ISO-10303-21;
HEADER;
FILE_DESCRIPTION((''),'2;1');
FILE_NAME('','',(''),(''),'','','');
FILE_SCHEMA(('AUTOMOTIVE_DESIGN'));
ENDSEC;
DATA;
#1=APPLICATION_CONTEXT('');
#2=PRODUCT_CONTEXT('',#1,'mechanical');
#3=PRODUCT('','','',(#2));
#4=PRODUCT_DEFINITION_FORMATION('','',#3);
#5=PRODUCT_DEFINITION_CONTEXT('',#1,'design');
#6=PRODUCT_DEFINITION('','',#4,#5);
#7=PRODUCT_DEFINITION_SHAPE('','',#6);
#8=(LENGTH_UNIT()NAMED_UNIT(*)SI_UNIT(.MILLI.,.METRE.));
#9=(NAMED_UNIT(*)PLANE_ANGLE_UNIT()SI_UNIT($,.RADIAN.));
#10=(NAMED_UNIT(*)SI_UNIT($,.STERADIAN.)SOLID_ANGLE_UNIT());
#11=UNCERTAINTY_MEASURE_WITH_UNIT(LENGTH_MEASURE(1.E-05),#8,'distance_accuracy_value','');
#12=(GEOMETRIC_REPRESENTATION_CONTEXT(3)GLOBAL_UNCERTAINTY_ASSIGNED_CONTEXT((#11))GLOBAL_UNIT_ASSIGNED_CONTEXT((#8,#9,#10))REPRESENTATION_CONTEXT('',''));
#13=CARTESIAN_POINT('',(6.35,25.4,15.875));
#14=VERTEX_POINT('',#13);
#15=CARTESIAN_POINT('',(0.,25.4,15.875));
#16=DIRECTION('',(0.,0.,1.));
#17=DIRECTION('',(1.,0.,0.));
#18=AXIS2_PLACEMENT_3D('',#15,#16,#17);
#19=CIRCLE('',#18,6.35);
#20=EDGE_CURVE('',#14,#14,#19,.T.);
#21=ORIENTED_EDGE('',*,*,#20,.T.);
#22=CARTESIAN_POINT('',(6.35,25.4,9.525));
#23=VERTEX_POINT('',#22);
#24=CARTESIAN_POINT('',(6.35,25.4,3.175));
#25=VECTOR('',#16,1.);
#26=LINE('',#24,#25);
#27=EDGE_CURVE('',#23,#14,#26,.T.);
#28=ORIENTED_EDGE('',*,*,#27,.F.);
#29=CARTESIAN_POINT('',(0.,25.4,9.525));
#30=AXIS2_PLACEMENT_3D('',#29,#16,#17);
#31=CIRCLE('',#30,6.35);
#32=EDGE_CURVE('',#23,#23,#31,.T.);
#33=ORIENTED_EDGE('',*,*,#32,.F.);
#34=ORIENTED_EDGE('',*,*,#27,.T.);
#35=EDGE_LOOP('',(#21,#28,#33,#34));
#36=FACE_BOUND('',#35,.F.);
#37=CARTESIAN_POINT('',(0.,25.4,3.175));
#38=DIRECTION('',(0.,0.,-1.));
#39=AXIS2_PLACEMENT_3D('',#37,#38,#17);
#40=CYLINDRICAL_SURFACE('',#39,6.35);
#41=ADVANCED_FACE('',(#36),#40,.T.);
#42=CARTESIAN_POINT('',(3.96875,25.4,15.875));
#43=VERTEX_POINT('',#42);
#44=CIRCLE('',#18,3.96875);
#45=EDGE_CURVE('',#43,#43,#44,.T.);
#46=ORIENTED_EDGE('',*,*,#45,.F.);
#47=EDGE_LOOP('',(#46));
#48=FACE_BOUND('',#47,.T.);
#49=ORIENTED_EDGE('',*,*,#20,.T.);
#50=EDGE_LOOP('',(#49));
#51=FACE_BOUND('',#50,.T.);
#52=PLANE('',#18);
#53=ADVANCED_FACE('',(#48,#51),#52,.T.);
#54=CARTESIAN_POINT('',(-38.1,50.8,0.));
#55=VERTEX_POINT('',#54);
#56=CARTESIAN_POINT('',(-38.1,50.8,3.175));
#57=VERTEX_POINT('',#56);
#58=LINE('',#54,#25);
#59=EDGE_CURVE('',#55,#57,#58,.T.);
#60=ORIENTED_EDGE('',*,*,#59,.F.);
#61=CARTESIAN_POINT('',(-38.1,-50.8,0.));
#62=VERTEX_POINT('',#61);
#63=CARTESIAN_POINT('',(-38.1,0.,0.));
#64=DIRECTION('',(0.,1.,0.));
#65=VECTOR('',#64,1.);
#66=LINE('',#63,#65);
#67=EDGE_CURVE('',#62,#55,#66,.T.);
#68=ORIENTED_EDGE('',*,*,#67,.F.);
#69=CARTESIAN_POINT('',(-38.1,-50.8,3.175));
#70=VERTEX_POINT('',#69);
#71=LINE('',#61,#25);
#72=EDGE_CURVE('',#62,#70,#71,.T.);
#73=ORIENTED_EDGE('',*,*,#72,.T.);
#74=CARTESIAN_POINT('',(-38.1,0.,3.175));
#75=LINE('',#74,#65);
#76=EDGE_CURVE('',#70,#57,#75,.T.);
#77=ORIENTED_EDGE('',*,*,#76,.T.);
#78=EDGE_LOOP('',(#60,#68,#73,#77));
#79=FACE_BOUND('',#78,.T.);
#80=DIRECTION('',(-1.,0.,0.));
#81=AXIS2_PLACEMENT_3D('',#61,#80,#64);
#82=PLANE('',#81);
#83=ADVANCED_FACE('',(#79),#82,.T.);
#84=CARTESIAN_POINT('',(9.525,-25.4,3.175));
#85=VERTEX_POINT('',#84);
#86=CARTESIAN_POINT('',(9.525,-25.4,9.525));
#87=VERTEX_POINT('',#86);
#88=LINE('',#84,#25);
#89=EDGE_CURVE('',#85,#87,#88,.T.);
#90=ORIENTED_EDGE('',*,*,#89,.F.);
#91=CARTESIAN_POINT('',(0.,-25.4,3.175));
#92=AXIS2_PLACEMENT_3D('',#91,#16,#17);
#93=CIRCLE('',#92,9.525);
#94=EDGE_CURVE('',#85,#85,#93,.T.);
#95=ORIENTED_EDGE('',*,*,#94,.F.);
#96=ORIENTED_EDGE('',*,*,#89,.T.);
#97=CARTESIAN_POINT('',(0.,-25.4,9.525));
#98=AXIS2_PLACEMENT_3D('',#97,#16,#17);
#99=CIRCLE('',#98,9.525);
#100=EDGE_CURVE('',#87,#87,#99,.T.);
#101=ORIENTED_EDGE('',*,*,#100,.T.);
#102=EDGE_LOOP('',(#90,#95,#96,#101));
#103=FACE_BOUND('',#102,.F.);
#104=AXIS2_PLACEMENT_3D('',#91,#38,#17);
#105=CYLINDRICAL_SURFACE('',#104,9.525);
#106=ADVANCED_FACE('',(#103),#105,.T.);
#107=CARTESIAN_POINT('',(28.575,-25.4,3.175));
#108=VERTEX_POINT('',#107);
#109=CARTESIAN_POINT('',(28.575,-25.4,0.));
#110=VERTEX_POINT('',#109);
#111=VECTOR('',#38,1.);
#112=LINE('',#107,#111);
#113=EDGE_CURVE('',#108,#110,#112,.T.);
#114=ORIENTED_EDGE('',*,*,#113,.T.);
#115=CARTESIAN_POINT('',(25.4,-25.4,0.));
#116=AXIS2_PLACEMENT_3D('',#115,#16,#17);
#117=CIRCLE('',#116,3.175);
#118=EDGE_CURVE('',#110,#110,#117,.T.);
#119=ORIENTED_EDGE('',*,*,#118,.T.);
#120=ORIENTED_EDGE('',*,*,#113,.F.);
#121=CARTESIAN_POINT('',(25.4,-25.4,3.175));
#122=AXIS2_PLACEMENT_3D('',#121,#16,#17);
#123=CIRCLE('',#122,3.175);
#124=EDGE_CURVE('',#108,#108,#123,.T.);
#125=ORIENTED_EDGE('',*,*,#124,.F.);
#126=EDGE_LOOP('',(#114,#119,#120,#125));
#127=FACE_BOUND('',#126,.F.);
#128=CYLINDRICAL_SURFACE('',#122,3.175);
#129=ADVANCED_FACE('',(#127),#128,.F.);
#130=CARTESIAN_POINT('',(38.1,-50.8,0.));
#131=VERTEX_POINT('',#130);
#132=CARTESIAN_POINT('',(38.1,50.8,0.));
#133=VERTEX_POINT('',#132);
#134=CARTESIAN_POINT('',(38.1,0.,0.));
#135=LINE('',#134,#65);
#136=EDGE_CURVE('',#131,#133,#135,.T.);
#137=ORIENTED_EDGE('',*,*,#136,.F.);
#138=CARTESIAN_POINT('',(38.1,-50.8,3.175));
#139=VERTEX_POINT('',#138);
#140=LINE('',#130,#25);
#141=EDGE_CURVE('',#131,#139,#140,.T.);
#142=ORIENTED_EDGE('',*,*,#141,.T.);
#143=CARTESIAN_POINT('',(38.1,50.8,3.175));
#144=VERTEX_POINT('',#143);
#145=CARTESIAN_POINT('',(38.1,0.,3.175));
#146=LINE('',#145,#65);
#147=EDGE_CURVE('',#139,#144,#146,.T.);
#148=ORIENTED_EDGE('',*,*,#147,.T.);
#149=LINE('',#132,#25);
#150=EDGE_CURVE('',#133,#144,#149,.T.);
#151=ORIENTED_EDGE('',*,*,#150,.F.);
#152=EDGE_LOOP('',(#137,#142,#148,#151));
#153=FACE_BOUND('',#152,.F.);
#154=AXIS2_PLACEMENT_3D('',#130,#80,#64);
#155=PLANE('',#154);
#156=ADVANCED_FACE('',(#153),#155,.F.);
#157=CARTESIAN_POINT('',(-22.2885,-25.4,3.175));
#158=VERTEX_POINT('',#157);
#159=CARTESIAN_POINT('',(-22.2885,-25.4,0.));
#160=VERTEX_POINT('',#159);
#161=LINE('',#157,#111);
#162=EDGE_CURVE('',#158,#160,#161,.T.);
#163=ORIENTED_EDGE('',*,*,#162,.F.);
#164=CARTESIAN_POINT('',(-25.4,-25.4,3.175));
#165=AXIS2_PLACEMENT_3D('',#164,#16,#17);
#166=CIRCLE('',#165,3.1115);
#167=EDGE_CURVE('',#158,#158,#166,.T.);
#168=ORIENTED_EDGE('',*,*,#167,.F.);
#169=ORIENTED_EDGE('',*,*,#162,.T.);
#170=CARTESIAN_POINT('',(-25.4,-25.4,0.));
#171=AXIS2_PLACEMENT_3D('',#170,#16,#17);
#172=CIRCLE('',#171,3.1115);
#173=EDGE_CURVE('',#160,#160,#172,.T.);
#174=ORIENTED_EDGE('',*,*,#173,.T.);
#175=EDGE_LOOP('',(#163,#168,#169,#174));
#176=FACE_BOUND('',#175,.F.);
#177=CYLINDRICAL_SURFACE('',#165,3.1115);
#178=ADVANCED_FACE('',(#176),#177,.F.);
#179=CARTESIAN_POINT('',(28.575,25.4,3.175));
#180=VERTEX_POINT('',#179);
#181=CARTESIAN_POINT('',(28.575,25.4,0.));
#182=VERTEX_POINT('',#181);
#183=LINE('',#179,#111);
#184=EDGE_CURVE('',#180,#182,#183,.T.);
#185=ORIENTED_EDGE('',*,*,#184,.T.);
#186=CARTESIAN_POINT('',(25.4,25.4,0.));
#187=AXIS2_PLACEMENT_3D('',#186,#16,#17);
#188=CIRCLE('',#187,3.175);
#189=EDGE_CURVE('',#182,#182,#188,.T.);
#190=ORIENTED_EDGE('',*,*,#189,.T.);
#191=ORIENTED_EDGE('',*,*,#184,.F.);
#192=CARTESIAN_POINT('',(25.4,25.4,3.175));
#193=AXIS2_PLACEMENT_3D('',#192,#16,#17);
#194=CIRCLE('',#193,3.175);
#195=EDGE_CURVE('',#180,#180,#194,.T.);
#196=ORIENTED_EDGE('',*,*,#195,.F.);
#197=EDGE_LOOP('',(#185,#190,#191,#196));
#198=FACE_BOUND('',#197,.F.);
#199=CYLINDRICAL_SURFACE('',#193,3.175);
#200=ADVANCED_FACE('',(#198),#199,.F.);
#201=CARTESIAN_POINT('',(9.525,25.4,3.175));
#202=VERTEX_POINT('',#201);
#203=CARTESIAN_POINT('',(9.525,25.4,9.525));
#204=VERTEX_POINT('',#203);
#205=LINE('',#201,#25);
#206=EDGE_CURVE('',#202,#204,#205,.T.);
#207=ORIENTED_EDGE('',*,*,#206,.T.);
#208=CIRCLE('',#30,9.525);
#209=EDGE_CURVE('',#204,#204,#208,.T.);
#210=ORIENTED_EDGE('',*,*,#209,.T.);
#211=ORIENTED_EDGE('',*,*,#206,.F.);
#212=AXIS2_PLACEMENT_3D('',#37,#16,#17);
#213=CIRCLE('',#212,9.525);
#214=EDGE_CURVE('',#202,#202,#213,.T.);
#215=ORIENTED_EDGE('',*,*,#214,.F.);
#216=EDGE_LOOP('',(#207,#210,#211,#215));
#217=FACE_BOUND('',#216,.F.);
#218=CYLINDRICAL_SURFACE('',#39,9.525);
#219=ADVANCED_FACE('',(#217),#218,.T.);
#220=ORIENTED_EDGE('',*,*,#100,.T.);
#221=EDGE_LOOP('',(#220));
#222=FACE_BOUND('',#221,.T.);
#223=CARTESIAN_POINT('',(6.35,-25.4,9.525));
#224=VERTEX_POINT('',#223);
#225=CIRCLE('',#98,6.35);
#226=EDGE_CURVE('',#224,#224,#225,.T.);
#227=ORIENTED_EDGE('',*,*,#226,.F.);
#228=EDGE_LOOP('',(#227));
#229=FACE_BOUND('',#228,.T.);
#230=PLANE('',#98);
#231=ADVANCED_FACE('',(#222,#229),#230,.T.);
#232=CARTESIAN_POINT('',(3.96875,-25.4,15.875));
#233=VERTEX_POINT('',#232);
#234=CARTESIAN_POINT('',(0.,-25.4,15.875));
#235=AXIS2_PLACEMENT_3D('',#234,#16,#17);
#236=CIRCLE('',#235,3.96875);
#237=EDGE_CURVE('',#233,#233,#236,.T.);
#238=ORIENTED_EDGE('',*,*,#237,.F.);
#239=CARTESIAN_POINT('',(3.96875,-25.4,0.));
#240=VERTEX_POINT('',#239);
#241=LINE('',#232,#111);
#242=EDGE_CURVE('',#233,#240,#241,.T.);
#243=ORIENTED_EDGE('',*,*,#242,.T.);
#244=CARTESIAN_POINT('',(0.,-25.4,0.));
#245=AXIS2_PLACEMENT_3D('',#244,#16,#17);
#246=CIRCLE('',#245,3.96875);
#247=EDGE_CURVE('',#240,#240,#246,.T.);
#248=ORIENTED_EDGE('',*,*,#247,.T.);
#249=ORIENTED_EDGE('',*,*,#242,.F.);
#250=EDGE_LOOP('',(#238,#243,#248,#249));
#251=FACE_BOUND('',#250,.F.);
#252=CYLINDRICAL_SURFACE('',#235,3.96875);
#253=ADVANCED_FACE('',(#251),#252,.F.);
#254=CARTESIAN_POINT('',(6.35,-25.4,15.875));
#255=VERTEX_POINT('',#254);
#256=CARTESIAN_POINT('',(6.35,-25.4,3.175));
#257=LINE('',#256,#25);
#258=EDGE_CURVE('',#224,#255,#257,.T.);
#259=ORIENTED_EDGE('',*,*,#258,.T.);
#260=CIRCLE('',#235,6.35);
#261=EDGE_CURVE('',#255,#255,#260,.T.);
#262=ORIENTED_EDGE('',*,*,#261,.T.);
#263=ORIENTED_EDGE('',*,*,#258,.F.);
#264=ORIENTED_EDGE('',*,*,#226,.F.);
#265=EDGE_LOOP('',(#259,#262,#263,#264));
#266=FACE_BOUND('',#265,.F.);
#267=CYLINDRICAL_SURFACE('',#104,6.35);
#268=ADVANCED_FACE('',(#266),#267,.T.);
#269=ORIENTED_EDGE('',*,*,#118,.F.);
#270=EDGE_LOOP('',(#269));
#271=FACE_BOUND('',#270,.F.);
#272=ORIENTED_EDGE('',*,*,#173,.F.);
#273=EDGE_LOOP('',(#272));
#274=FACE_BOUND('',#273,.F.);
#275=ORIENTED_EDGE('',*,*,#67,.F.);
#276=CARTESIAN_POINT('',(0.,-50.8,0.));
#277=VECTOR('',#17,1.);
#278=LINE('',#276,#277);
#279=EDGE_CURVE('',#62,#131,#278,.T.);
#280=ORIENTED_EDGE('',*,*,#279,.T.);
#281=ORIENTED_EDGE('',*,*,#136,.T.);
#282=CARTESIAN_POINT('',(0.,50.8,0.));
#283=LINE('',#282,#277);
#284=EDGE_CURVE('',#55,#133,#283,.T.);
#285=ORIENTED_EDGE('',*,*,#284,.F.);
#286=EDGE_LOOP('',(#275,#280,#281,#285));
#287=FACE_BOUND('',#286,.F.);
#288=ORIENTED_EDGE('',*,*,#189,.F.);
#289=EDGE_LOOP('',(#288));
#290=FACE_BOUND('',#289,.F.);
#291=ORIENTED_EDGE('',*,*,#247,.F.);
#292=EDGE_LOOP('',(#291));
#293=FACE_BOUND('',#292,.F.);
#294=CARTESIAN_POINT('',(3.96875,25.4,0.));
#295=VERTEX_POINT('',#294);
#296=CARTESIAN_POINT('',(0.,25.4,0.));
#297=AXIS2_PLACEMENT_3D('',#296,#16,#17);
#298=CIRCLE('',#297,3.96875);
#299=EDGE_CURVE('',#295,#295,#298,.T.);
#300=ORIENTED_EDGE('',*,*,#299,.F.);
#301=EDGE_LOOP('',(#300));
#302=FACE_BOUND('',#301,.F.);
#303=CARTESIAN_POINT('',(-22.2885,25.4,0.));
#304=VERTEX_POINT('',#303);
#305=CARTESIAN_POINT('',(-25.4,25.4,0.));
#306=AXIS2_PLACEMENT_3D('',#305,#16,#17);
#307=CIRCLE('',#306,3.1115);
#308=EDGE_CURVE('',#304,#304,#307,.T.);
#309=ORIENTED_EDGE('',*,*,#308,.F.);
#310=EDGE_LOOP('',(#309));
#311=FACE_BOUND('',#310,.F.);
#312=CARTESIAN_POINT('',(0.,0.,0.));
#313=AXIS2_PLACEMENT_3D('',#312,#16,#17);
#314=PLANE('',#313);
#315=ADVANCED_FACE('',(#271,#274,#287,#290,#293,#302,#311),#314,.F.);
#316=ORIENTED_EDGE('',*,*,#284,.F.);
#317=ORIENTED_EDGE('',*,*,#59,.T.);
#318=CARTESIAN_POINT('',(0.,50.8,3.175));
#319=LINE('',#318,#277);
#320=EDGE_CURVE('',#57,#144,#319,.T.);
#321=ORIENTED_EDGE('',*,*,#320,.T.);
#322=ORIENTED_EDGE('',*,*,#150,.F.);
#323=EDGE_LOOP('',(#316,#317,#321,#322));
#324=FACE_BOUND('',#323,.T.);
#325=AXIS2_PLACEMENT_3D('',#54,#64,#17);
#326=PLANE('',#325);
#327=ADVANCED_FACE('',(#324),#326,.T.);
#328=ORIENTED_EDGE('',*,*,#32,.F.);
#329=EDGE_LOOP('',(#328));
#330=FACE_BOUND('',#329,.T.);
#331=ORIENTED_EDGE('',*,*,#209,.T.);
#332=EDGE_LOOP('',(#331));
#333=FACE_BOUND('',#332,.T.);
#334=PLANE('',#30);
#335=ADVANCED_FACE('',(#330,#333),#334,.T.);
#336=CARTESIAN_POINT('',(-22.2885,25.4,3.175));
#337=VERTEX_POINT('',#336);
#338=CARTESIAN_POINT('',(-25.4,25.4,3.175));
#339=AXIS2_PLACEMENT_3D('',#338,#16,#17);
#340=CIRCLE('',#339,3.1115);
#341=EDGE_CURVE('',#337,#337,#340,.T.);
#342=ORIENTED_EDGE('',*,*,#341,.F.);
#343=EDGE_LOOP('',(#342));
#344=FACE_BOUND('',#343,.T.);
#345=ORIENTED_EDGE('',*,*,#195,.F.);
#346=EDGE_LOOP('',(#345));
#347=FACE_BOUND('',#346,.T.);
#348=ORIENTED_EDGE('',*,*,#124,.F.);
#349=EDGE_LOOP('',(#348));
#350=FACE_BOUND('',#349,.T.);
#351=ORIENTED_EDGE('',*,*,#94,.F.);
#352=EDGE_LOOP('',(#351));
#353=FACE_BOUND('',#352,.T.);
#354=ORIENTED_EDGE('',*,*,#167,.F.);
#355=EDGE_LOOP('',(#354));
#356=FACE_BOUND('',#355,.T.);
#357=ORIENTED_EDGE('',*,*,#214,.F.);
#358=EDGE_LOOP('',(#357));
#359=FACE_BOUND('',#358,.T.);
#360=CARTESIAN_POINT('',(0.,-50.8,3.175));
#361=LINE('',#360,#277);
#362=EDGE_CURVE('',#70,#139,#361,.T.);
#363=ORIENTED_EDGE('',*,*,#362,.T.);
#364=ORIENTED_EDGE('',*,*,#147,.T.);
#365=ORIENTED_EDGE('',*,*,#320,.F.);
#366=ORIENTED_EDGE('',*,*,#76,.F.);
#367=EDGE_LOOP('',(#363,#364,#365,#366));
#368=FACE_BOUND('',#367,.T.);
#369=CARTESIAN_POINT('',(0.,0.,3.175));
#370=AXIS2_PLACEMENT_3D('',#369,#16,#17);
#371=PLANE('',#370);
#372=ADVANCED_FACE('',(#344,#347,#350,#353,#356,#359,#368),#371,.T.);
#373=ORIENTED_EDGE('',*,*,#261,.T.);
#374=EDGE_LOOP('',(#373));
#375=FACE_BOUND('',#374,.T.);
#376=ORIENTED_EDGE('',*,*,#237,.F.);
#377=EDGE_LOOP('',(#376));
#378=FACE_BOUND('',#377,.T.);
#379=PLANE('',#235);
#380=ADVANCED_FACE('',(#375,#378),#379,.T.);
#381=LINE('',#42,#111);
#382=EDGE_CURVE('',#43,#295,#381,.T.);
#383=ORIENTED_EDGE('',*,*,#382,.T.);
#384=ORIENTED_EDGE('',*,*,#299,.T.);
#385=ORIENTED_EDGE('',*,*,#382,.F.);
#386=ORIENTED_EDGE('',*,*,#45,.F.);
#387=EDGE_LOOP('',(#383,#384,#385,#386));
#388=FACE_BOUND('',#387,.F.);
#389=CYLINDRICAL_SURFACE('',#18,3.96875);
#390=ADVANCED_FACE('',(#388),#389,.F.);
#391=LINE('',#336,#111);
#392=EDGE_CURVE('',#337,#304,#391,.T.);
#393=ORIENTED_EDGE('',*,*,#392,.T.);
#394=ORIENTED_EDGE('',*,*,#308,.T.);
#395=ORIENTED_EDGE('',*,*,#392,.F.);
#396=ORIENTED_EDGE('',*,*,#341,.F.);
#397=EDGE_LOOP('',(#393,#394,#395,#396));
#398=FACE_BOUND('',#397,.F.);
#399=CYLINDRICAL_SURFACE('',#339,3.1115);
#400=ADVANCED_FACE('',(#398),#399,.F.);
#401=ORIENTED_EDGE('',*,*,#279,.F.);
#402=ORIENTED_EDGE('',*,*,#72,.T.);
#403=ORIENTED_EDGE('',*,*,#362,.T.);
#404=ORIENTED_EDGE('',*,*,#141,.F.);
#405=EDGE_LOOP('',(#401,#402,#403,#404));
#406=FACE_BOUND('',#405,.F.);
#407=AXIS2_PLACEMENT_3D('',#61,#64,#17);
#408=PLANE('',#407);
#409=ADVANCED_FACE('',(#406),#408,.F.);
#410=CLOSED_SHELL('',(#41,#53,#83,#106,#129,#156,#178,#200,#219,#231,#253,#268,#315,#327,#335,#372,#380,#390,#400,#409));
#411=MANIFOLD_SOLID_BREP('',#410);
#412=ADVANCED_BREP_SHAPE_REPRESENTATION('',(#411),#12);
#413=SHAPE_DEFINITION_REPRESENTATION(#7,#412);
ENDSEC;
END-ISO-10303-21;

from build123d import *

# Parameters (mm, degrees)
F0_W      = 76.2
F0_H      = 101.6
F1_DEPTH  = 3.175
F2_R      = 6.35
F3_DEPTH  = 12.7
F4_R      = 3.96875
F5_R      = 3.96875
F6_DEPTH  = 38.1
F7_R      = 3.175
F7_R_2    = 3.1115
F8_DEPTH  = 25.4
F9_R      = 9.525
F9_R_2    = 6.35
F10_DEPTH = 6.35


with BuildPart() as f1:
    # F0 (on Top) → F1 (new body)
    with BuildSketch(Plane.XY):
        Rectangle(F0_W, F0_H)
    extrude(amount=F1_DEPTH)

    # F2 (on face) → F3 (join)
    with BuildSketch(Plane.XY.offset(3.175)):
        with Locations((0, 25.4)):
            Circle(F2_R)
        with Locations((0, -25.4)):
            Circle(F2_R)
    extrude(amount=F3_DEPTH)

    # F4 (on face) + F5 (on face) → F6 (cut)
    with BuildSketch(Plane.XY.offset(15.875)):
        with Locations((0, 25.4)):
            Circle(F4_R)
    with BuildSketch(Plane.XY.offset(15.875)):
        with Locations((0, -25.4)):
            Circle(F5_R)
    extrude(amount=-F6_DEPTH, mode=Mode.SUBTRACT)

    # F7 (on face) → F8 (cut)
    with BuildSketch(Plane.XY.offset(3.175)):
        with Locations((25.4, 25.4)):
            Circle(F7_R)
        with Locations((25.4, -25.4)):
            Circle(F7_R)
        with Locations((-25.4, 25.4)):
            Circle(F7_R_2)
        with Locations((-25.4, -25.4)):
            Circle(F7_R_2)
    extrude(amount=-F8_DEPTH, mode=Mode.SUBTRACT)

    # F9 (on face) → F10 (join)
    with BuildSketch(Plane.XY.offset(3.175)):
        with Locations((0, 25.4)):
            Circle(F9_R)
        with Locations((0, 25.4)):
            Circle(F9_R_2, mode=Mode.SUBTRACT)
        with Locations((0, -25.4)):
            Circle(F9_R)
        with Locations((0, -25.4)):
            Circle(F9_R_2, mode=Mode.SUBTRACT)
    extrude(amount=F10_DEPTH)


solid = f1.part
